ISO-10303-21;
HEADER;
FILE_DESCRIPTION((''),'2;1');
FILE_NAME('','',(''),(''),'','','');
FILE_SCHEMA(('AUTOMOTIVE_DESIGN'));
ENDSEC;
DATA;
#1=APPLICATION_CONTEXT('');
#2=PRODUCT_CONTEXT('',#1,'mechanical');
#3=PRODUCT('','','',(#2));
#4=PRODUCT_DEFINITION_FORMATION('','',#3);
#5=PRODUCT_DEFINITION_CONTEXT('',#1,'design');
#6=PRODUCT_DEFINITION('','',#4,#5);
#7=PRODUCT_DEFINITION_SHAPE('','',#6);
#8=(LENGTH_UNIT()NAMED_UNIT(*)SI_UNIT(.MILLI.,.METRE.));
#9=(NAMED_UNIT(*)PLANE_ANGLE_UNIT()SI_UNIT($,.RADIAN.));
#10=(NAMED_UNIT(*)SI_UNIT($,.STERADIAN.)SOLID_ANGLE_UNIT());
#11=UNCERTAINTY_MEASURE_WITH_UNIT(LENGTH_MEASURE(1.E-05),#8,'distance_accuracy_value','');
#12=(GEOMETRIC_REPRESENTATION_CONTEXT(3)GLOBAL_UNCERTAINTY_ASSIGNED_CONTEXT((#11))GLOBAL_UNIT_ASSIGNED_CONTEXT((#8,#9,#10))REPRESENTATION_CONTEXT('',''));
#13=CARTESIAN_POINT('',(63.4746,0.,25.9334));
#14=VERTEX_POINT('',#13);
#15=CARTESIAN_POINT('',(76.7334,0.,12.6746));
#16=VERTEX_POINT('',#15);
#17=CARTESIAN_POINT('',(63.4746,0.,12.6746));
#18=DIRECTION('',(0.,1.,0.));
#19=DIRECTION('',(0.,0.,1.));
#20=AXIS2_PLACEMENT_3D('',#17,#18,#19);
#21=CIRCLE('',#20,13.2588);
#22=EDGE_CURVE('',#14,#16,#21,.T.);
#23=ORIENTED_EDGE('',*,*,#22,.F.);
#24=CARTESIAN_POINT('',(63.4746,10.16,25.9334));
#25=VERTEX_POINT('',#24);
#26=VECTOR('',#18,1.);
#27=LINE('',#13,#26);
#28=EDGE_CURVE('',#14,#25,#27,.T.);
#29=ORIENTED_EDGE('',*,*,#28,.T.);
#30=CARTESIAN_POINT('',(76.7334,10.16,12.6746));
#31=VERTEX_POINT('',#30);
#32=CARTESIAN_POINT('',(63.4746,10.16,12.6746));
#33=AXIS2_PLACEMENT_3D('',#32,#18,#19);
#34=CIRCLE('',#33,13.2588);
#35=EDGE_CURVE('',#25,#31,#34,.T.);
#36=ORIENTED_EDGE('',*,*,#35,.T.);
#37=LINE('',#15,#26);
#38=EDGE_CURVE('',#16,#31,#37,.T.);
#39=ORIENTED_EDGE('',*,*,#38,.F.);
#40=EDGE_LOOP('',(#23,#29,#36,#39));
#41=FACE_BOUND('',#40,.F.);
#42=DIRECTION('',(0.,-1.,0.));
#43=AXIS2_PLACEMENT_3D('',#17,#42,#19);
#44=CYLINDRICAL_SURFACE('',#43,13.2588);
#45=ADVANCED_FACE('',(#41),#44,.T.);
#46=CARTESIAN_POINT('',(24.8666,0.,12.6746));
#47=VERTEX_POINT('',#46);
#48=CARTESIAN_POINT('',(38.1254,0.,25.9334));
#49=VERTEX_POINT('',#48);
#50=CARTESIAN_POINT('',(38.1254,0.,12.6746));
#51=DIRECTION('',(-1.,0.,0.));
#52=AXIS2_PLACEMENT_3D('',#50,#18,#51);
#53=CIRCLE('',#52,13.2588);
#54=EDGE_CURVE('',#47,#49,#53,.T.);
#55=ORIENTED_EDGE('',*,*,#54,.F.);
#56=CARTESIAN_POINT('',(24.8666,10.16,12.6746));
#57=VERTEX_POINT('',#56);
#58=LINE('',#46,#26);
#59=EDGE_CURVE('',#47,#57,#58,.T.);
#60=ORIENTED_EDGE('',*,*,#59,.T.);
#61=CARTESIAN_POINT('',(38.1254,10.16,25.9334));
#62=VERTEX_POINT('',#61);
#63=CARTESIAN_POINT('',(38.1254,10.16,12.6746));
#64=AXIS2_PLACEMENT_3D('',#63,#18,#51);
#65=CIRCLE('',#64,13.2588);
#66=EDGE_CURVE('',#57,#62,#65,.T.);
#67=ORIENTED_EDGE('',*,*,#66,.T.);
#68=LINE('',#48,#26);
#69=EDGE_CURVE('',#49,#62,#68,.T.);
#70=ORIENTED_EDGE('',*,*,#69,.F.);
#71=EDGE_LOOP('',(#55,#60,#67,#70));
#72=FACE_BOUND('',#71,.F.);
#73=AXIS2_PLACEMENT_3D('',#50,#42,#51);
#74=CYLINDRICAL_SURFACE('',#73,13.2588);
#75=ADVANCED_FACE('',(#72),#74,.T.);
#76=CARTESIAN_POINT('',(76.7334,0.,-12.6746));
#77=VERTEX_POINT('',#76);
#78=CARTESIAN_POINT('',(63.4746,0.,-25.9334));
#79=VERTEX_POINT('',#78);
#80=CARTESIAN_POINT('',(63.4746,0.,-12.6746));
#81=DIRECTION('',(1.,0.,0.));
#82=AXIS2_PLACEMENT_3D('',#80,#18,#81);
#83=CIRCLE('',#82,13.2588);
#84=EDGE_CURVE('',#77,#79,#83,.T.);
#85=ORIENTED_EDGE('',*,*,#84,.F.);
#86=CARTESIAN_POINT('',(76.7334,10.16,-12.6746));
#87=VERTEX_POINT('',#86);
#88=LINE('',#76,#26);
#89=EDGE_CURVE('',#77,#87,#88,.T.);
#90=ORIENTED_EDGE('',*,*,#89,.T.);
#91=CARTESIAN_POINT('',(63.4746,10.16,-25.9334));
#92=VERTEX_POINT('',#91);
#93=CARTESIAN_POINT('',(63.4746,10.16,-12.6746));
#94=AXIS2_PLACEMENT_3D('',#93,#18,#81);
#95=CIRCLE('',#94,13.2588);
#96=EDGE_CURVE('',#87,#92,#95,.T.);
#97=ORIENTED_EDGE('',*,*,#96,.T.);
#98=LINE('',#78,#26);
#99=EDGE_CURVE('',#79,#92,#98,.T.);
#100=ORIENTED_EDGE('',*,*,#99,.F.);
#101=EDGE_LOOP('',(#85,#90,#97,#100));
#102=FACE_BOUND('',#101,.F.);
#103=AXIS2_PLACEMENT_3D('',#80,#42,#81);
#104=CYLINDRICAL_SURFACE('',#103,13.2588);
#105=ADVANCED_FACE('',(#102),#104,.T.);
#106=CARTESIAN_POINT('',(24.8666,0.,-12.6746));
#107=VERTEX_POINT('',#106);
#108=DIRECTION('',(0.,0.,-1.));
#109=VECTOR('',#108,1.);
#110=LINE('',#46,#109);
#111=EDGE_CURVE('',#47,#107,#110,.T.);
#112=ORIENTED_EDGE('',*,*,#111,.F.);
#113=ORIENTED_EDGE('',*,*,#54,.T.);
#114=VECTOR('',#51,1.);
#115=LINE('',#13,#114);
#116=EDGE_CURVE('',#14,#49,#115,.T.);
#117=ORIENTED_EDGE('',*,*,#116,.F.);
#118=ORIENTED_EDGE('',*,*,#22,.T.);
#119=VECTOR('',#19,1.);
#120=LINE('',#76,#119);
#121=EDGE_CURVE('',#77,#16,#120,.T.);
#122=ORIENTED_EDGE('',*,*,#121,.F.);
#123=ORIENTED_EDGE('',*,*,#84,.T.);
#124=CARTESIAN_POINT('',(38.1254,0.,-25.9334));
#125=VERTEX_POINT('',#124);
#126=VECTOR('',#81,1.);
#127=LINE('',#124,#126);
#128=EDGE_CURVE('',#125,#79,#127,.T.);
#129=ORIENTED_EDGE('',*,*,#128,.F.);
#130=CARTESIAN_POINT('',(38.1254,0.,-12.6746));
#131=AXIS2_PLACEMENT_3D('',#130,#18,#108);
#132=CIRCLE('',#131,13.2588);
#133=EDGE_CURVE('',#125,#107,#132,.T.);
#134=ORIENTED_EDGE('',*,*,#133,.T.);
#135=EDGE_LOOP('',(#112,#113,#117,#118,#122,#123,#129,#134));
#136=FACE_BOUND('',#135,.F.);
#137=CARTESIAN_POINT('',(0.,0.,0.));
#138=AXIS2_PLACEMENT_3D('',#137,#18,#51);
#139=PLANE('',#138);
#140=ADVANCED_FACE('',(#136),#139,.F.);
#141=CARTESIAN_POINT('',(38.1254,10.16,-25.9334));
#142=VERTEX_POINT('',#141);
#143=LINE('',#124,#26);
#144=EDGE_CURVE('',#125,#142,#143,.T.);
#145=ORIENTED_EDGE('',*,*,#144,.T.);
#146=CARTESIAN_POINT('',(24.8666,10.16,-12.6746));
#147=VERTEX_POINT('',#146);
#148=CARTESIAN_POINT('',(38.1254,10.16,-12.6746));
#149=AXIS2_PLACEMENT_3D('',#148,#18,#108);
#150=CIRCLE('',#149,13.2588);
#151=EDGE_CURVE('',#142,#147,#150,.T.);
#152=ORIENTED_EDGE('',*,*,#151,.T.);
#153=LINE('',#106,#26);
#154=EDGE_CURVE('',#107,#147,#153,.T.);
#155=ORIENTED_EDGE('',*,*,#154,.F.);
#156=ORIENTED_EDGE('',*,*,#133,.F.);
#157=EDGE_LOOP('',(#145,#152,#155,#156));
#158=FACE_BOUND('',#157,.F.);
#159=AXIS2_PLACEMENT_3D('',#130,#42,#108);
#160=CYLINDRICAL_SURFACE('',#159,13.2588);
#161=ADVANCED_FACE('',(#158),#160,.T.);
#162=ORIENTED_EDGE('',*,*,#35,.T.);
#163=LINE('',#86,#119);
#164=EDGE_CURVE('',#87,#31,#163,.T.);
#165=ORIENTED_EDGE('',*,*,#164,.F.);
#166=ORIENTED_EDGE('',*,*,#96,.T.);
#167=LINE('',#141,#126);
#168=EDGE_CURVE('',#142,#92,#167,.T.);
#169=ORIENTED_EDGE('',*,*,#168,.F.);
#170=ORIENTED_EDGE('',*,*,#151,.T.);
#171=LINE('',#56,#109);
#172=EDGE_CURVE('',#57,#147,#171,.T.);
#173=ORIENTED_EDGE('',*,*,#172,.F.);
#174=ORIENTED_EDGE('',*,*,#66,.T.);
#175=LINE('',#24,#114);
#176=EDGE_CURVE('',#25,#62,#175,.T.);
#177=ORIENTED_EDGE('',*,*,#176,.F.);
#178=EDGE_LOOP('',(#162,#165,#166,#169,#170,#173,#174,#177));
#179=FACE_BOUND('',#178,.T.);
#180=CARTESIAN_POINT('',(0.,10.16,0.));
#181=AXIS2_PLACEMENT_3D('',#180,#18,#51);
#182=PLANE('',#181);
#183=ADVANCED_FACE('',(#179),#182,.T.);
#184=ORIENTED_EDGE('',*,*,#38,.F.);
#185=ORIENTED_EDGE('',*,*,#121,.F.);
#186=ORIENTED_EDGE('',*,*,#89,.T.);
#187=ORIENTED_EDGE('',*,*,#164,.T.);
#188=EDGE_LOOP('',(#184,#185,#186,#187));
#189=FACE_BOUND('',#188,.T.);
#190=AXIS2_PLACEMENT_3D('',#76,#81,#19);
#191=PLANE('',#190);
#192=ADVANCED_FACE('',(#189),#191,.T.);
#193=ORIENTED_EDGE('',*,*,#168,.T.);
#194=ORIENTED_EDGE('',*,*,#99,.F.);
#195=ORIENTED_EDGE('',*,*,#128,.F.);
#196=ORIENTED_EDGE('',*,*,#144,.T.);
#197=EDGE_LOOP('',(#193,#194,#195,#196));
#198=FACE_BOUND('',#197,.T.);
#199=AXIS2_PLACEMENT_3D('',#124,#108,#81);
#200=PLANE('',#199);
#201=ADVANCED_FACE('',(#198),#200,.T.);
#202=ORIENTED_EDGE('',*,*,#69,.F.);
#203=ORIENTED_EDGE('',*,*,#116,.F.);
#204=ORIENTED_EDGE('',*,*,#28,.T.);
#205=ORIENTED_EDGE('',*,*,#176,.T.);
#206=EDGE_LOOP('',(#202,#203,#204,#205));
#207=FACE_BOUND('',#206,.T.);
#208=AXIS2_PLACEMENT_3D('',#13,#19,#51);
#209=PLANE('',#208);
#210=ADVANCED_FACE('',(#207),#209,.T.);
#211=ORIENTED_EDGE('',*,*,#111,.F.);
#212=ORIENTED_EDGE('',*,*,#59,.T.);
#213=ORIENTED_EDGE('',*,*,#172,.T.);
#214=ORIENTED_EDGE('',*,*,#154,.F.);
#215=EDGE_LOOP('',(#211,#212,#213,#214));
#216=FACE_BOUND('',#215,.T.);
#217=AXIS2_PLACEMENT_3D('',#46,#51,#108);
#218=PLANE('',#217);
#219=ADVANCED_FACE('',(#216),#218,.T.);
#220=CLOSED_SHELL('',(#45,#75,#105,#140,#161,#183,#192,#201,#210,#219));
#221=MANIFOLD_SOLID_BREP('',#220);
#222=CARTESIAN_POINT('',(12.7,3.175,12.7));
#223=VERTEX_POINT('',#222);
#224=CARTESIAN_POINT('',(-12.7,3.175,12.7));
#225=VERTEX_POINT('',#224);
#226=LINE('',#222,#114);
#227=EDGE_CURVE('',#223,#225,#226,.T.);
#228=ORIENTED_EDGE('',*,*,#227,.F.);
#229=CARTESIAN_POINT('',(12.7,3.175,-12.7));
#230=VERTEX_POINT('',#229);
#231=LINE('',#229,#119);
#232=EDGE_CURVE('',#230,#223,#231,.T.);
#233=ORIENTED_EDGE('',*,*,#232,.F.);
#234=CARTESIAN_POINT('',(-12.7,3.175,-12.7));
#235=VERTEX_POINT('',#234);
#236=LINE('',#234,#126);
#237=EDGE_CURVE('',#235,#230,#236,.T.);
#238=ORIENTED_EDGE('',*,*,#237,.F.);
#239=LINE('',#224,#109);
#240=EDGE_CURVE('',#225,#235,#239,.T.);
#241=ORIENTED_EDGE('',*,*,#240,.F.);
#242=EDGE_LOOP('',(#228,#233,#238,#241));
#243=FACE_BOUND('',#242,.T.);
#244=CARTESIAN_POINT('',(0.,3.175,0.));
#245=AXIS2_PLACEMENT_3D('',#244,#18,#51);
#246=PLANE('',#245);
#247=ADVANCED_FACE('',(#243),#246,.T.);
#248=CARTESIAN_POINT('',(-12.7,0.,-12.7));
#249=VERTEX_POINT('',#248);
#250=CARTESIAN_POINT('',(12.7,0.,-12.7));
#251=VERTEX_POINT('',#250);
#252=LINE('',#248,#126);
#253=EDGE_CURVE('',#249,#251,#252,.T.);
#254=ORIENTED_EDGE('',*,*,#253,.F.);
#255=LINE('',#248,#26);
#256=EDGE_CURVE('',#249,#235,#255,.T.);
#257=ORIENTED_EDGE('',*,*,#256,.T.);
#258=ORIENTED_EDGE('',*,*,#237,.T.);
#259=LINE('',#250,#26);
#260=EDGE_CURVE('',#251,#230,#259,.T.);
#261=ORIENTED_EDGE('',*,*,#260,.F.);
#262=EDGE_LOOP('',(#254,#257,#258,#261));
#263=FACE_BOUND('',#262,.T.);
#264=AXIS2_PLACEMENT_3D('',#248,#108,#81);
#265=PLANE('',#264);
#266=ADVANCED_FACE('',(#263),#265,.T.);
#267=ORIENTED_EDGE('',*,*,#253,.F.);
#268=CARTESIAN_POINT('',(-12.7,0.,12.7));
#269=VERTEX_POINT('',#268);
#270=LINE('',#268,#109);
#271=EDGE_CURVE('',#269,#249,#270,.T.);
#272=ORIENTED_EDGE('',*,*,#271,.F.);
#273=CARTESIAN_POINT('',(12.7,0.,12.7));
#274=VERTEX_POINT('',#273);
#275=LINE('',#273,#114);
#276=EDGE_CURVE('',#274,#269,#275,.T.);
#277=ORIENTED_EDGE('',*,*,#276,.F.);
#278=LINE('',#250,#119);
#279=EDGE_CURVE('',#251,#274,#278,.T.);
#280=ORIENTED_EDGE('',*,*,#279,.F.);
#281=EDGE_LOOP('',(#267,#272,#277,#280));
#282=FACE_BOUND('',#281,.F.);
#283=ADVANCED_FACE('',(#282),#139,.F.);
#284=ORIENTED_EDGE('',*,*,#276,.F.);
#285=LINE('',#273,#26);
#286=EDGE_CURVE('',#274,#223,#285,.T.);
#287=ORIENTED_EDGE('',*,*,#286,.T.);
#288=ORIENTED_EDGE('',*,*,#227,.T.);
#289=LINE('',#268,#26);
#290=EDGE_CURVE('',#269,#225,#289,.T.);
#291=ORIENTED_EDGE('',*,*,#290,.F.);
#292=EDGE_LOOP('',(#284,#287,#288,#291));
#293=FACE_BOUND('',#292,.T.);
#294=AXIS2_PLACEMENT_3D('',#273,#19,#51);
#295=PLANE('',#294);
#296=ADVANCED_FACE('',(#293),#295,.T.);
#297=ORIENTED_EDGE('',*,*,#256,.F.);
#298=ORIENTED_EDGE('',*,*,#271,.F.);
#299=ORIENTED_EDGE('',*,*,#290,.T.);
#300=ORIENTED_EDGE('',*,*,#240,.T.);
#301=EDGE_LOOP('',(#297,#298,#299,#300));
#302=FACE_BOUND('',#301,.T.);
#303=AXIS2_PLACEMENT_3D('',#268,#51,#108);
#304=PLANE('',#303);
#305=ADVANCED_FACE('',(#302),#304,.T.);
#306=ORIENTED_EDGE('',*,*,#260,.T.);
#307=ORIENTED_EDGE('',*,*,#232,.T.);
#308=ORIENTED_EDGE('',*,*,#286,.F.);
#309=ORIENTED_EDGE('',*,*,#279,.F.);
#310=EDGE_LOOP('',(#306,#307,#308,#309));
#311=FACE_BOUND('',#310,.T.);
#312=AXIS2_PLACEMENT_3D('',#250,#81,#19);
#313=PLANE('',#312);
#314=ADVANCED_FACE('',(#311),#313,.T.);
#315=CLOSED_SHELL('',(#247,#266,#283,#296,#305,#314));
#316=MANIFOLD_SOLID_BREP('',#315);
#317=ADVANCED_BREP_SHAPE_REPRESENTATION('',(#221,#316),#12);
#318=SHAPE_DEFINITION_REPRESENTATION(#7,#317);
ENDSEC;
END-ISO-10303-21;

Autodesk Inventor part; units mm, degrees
ref_plane "YZ Plane" through (0, 0, 0) normal (1, 0, 0) x (0, 1, 0)
ref_plane "XZ Plane" through (0, 0, 0) normal (0, 1, 0) x (-1, 0, 0)
ref_plane "XY Plane" through (0, 0, 0) normal (0, 0, 1) x (1, 0, 0)
sketch "Sketch1" plane through (0, 0, 0) normal (0, 1, 0) x (-1, 0, 0)
  line L0 (12.7, -12.7) -> (-12.7, -12.7)
  line L1 (-12.7, -12.7) -> (-12.7, 12.7)
  line L2 (-12.7, 12.7) -> (12.7, 12.7)
  line L3 (12.7, 12.7) -> (12.7, -12.7)
  line L4 (12.7, -12.7) -> (-12.7, 12.7) construction
  line L5 (-12.7, -12.7) -> (12.7, 12.7) construction
  point P0 (0, 0)
  dimension "d0" = 25.4
  dimension "d1" = 25.4
extrude "Extrusion1" add sketch "Sketch1" along normal blind 3.175
sketch "Sketch2" plane through (0, 0, 0) normal (0, 1, 0) x (-1, 0, 0)
  line L0 (-38.1254, -25.9334) -> (-63.4746, -25.9334)
  line L1 (-76.7334, -12.6746) -> (-76.7334, 12.6746)
  line L2 (-63.4746, 25.9334) -> (-38.1254, 25.9334)
  line L3 (-24.8666, 12.6746) -> (-24.8666, -12.6746)
  line L4 (-24.8666, -25.9334) -> (-76.7334, 25.9334) construction
  line L5 (-76.7334, -25.9334) -> (-24.8666, 25.9334) construction
  arc A0 (-38.1254, -25.9334) -> (-24.8666, -12.6746) centre (-38.1254, -12.6746) ccw
  arc A1 (-24.8666, 12.6746) -> (-38.1254, 25.9334) centre (-38.1254, 12.6746) ccw
  arc A2 (-63.4746, 25.9334) -> (-76.7334, 12.6746) centre (-63.4746, 12.6746) ccw
  arc A3 (-76.7334, -12.6746) -> (-63.4746, -25.9334) centre (-63.4746, -12.6746) ccw
  point P0 (0, 0)
  point P1 (-50.8, 0)
  point P2 (-50.8, 0)
  dimension "d4" = 51.8668
  dimension "d5" = 51.8668
  dimension "d6" = 50.8
  dimension "d9" = 13.2588
  dimension "d10" = 13.2588
extrude "Extrusion2" add sketch "Sketch2" along normal blind 10.16 separate body
equation "\"d9\" = d10"
properties part number "Calibration Inch Square"
